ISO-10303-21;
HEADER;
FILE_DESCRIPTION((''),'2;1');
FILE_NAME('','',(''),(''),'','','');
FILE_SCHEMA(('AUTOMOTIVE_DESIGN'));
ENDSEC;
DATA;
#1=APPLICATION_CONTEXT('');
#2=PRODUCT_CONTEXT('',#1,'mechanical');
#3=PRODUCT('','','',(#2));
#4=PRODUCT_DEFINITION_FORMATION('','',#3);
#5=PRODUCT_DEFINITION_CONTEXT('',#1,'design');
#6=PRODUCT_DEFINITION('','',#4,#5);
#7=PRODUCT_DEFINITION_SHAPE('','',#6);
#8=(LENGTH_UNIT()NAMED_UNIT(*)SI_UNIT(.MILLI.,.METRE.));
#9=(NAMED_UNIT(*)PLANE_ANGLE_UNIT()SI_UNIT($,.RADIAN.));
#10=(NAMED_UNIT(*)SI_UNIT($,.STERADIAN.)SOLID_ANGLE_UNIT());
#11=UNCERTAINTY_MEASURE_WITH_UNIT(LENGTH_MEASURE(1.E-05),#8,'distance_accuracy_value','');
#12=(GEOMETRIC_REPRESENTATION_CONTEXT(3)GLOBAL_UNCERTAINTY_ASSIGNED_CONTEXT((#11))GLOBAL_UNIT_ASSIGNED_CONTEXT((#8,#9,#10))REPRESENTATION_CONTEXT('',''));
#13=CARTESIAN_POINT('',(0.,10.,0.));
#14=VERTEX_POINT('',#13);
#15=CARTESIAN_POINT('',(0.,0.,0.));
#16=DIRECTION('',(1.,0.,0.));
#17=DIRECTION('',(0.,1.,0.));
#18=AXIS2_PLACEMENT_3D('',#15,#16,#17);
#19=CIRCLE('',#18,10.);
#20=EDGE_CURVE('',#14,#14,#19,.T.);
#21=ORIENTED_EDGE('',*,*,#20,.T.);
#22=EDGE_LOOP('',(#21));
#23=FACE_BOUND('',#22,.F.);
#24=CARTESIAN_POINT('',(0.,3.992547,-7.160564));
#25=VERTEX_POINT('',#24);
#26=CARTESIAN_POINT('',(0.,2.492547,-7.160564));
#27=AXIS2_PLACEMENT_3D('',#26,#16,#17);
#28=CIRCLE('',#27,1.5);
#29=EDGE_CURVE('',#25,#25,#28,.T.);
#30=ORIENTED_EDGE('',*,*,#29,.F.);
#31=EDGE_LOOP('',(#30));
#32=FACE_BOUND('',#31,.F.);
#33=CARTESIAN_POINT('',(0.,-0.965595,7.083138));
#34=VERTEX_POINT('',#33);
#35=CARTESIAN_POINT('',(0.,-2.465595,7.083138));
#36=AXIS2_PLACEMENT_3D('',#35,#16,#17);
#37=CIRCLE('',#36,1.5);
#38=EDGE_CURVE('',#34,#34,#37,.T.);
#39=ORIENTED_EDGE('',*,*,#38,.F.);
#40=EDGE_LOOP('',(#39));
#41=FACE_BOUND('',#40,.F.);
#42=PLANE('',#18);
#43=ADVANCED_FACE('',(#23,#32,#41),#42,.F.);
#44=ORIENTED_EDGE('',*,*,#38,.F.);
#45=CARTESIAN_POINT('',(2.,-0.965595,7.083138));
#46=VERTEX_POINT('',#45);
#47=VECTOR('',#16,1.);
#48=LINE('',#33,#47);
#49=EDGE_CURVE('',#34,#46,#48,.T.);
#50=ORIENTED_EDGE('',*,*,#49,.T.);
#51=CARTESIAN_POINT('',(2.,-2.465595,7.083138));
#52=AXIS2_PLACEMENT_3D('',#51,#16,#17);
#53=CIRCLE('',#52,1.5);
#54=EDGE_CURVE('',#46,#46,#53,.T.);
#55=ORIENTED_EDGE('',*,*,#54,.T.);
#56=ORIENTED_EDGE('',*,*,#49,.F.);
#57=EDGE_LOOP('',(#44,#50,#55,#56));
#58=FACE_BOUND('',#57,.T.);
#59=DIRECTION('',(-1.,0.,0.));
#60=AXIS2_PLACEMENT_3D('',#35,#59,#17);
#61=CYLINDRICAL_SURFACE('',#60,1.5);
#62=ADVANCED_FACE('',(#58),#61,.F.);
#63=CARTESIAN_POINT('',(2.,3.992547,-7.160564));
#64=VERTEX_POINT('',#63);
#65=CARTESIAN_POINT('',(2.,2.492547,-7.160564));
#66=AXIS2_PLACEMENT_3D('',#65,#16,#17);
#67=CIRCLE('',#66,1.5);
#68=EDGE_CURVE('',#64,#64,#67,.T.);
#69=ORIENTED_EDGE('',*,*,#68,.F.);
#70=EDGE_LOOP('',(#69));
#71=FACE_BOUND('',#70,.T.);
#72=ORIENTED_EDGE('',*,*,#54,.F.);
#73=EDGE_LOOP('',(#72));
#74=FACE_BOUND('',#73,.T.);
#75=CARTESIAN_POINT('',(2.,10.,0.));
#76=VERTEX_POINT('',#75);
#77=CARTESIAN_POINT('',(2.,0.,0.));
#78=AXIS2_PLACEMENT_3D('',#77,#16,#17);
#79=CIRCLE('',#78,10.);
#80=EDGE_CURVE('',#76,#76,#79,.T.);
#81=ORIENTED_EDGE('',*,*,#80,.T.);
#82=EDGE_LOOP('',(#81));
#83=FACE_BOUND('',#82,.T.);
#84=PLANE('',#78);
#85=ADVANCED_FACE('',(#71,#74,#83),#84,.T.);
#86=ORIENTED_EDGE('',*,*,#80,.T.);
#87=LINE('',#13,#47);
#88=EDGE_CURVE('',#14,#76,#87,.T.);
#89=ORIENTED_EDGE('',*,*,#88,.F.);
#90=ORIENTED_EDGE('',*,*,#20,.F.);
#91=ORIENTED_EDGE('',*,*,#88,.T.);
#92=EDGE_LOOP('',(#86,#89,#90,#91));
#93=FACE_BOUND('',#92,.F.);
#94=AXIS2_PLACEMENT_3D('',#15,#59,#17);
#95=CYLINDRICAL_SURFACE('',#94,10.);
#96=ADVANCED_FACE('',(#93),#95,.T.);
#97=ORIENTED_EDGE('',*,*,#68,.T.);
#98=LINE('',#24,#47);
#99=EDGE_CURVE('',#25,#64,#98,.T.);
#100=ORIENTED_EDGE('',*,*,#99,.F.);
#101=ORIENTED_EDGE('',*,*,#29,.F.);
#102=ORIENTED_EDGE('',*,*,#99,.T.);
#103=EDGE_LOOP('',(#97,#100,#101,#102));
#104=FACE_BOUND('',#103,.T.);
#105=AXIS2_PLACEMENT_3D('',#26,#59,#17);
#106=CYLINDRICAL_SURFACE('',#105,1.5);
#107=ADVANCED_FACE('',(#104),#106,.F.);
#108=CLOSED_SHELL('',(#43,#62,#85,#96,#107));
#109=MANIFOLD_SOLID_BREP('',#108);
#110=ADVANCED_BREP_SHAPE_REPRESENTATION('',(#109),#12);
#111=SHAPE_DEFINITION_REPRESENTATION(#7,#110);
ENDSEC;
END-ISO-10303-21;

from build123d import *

# Parameters (mm, degrees)
F0_R     = 10
F0_R_2   = 1.5
F1_DEPTH = 2


with BuildPart() as f1:
    # F0 (on Right) → F1 (new body)
    with BuildSketch(Plane.YZ):
        Circle(F0_R)
        with Locations((2.492547, -7.160564)):
            Circle(F0_R_2, mode=Mode.SUBTRACT)
        with Locations((-2.465595, 7.083138)):
            Circle(F0_R_2, mode=Mode.SUBTRACT)
    extrude(amount=F1_DEPTH)


solid = f1.part
